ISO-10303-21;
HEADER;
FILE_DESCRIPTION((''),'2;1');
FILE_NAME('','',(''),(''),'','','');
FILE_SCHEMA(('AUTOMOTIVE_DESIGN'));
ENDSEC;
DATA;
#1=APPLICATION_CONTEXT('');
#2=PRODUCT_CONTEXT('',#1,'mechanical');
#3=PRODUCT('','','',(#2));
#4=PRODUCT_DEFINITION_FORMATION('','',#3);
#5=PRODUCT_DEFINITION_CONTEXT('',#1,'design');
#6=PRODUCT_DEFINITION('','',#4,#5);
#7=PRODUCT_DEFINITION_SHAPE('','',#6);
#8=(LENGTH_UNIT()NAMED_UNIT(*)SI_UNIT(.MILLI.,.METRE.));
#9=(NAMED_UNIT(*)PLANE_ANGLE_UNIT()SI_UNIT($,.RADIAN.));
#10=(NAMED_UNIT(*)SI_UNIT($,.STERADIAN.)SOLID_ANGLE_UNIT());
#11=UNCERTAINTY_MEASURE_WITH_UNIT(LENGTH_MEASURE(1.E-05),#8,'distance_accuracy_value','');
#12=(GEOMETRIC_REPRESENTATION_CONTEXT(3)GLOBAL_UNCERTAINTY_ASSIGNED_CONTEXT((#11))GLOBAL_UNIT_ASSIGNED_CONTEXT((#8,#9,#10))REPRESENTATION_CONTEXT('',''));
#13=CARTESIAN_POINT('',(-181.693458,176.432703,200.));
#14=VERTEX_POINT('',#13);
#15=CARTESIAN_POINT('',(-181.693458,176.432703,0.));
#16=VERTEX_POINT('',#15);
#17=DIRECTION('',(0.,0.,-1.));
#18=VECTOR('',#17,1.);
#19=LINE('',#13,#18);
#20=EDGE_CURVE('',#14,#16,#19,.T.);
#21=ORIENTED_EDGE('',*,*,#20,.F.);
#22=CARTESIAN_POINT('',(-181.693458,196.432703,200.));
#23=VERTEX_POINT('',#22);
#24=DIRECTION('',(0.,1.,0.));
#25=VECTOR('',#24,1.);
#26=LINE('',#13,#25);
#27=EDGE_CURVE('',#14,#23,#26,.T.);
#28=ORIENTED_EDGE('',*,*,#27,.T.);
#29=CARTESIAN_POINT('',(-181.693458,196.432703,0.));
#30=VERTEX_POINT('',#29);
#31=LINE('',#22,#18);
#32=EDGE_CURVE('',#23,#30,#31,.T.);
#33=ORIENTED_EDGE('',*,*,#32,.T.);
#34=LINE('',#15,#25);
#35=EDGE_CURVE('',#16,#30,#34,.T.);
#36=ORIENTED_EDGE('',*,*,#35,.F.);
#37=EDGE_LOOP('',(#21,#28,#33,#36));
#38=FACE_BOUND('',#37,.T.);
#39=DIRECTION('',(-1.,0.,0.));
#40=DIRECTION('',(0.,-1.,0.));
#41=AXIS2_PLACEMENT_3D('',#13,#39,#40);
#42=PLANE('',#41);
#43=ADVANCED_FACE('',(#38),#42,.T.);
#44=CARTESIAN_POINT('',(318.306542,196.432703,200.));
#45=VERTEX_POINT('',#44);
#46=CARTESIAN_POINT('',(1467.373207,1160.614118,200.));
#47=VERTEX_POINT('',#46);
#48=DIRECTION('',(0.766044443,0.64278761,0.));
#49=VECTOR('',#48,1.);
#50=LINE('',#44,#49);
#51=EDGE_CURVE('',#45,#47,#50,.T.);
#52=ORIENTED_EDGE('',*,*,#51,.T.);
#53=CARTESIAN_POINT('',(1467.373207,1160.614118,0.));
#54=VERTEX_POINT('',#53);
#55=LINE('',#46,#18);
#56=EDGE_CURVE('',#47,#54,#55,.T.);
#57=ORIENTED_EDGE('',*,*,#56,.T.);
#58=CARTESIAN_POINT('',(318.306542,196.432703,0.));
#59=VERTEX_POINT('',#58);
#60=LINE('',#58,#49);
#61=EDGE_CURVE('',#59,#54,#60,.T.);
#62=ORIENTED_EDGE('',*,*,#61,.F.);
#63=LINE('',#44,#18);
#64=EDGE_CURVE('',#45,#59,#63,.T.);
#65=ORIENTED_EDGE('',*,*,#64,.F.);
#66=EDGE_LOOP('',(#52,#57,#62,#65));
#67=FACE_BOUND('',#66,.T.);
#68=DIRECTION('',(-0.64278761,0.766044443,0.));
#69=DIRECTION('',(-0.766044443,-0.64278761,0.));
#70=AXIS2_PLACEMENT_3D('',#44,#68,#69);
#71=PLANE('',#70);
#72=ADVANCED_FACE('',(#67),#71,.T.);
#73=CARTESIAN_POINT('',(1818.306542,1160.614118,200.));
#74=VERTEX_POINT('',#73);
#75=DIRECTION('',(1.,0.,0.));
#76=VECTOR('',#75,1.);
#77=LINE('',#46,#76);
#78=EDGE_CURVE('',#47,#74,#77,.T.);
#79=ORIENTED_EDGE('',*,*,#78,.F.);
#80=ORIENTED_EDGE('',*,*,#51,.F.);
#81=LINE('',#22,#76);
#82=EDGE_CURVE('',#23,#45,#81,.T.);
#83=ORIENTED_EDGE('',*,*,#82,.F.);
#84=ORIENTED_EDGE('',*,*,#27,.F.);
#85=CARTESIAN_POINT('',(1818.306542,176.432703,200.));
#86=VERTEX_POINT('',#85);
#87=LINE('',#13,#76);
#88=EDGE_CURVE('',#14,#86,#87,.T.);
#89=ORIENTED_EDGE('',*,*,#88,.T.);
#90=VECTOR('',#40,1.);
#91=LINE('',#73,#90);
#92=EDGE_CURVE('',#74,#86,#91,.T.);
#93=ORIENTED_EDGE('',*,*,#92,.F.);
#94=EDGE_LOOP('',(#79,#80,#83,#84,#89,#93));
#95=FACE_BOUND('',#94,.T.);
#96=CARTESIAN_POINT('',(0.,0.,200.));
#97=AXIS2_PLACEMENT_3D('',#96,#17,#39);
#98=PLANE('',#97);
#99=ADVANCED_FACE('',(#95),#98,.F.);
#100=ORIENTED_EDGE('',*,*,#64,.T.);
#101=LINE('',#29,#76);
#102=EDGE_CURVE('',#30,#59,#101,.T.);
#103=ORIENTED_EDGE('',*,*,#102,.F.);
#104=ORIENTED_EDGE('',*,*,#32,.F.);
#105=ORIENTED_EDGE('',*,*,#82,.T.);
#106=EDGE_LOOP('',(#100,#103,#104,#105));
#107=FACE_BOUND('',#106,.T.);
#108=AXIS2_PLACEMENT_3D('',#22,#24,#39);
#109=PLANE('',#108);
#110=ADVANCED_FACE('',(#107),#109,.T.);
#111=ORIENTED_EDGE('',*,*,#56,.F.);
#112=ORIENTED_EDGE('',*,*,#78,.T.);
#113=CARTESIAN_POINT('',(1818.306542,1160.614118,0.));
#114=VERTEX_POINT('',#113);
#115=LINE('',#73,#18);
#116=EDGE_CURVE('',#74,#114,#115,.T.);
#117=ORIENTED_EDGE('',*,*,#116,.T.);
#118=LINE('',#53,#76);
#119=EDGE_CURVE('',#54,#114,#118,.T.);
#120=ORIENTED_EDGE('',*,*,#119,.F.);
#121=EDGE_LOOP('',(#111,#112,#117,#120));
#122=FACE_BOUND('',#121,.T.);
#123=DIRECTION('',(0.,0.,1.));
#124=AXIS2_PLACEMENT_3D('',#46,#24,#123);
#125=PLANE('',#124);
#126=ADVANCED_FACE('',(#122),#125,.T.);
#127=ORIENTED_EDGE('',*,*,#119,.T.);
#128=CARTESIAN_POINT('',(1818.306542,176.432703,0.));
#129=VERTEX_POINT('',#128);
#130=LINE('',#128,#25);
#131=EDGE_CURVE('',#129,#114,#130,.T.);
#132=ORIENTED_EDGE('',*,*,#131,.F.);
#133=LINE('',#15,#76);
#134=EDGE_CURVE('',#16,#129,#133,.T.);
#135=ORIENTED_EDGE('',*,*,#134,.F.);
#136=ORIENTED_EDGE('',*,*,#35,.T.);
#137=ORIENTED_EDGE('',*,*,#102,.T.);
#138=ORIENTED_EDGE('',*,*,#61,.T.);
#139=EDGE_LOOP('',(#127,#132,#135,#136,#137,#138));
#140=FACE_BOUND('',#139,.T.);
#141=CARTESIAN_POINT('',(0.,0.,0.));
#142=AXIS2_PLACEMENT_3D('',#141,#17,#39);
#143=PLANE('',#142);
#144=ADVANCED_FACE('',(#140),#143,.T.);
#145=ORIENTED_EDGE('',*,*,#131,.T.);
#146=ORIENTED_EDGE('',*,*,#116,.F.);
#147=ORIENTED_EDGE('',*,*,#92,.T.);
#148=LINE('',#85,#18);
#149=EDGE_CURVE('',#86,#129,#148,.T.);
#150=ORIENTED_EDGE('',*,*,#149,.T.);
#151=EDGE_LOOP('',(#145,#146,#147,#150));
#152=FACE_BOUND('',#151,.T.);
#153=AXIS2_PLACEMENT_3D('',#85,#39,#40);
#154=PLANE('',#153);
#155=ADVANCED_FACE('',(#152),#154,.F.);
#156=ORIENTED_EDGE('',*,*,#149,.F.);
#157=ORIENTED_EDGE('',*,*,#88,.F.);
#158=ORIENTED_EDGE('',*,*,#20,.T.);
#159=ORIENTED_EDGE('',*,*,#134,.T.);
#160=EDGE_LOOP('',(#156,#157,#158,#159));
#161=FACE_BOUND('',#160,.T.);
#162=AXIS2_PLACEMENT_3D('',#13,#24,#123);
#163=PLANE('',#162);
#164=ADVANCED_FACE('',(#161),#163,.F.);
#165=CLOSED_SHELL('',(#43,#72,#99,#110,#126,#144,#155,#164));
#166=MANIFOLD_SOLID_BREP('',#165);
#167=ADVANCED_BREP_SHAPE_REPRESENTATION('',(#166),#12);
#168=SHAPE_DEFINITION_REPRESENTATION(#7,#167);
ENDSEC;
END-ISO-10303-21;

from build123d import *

# Parameters (mm, degrees)
EXTRUDE_1_DEPTH = 200


with BuildPart() as part:
    # 草图1 → 凸台-拉伸1 (new body)
    with BuildSketch(Plane.XY):
        Polygon((318.306542279, 196.432703448), (1467.373206957, 1160.614117978), (1818.306542279, 1160.614117978), (1818.306542279, 196.432703448), (1818.306542279, 176.432703448), (-181.693457721, 176.432703448), (-181.693457721, 196.432703448), align=None)
    extrude(amount=EXTRUDE_1_DEPTH)


solid = part.part
